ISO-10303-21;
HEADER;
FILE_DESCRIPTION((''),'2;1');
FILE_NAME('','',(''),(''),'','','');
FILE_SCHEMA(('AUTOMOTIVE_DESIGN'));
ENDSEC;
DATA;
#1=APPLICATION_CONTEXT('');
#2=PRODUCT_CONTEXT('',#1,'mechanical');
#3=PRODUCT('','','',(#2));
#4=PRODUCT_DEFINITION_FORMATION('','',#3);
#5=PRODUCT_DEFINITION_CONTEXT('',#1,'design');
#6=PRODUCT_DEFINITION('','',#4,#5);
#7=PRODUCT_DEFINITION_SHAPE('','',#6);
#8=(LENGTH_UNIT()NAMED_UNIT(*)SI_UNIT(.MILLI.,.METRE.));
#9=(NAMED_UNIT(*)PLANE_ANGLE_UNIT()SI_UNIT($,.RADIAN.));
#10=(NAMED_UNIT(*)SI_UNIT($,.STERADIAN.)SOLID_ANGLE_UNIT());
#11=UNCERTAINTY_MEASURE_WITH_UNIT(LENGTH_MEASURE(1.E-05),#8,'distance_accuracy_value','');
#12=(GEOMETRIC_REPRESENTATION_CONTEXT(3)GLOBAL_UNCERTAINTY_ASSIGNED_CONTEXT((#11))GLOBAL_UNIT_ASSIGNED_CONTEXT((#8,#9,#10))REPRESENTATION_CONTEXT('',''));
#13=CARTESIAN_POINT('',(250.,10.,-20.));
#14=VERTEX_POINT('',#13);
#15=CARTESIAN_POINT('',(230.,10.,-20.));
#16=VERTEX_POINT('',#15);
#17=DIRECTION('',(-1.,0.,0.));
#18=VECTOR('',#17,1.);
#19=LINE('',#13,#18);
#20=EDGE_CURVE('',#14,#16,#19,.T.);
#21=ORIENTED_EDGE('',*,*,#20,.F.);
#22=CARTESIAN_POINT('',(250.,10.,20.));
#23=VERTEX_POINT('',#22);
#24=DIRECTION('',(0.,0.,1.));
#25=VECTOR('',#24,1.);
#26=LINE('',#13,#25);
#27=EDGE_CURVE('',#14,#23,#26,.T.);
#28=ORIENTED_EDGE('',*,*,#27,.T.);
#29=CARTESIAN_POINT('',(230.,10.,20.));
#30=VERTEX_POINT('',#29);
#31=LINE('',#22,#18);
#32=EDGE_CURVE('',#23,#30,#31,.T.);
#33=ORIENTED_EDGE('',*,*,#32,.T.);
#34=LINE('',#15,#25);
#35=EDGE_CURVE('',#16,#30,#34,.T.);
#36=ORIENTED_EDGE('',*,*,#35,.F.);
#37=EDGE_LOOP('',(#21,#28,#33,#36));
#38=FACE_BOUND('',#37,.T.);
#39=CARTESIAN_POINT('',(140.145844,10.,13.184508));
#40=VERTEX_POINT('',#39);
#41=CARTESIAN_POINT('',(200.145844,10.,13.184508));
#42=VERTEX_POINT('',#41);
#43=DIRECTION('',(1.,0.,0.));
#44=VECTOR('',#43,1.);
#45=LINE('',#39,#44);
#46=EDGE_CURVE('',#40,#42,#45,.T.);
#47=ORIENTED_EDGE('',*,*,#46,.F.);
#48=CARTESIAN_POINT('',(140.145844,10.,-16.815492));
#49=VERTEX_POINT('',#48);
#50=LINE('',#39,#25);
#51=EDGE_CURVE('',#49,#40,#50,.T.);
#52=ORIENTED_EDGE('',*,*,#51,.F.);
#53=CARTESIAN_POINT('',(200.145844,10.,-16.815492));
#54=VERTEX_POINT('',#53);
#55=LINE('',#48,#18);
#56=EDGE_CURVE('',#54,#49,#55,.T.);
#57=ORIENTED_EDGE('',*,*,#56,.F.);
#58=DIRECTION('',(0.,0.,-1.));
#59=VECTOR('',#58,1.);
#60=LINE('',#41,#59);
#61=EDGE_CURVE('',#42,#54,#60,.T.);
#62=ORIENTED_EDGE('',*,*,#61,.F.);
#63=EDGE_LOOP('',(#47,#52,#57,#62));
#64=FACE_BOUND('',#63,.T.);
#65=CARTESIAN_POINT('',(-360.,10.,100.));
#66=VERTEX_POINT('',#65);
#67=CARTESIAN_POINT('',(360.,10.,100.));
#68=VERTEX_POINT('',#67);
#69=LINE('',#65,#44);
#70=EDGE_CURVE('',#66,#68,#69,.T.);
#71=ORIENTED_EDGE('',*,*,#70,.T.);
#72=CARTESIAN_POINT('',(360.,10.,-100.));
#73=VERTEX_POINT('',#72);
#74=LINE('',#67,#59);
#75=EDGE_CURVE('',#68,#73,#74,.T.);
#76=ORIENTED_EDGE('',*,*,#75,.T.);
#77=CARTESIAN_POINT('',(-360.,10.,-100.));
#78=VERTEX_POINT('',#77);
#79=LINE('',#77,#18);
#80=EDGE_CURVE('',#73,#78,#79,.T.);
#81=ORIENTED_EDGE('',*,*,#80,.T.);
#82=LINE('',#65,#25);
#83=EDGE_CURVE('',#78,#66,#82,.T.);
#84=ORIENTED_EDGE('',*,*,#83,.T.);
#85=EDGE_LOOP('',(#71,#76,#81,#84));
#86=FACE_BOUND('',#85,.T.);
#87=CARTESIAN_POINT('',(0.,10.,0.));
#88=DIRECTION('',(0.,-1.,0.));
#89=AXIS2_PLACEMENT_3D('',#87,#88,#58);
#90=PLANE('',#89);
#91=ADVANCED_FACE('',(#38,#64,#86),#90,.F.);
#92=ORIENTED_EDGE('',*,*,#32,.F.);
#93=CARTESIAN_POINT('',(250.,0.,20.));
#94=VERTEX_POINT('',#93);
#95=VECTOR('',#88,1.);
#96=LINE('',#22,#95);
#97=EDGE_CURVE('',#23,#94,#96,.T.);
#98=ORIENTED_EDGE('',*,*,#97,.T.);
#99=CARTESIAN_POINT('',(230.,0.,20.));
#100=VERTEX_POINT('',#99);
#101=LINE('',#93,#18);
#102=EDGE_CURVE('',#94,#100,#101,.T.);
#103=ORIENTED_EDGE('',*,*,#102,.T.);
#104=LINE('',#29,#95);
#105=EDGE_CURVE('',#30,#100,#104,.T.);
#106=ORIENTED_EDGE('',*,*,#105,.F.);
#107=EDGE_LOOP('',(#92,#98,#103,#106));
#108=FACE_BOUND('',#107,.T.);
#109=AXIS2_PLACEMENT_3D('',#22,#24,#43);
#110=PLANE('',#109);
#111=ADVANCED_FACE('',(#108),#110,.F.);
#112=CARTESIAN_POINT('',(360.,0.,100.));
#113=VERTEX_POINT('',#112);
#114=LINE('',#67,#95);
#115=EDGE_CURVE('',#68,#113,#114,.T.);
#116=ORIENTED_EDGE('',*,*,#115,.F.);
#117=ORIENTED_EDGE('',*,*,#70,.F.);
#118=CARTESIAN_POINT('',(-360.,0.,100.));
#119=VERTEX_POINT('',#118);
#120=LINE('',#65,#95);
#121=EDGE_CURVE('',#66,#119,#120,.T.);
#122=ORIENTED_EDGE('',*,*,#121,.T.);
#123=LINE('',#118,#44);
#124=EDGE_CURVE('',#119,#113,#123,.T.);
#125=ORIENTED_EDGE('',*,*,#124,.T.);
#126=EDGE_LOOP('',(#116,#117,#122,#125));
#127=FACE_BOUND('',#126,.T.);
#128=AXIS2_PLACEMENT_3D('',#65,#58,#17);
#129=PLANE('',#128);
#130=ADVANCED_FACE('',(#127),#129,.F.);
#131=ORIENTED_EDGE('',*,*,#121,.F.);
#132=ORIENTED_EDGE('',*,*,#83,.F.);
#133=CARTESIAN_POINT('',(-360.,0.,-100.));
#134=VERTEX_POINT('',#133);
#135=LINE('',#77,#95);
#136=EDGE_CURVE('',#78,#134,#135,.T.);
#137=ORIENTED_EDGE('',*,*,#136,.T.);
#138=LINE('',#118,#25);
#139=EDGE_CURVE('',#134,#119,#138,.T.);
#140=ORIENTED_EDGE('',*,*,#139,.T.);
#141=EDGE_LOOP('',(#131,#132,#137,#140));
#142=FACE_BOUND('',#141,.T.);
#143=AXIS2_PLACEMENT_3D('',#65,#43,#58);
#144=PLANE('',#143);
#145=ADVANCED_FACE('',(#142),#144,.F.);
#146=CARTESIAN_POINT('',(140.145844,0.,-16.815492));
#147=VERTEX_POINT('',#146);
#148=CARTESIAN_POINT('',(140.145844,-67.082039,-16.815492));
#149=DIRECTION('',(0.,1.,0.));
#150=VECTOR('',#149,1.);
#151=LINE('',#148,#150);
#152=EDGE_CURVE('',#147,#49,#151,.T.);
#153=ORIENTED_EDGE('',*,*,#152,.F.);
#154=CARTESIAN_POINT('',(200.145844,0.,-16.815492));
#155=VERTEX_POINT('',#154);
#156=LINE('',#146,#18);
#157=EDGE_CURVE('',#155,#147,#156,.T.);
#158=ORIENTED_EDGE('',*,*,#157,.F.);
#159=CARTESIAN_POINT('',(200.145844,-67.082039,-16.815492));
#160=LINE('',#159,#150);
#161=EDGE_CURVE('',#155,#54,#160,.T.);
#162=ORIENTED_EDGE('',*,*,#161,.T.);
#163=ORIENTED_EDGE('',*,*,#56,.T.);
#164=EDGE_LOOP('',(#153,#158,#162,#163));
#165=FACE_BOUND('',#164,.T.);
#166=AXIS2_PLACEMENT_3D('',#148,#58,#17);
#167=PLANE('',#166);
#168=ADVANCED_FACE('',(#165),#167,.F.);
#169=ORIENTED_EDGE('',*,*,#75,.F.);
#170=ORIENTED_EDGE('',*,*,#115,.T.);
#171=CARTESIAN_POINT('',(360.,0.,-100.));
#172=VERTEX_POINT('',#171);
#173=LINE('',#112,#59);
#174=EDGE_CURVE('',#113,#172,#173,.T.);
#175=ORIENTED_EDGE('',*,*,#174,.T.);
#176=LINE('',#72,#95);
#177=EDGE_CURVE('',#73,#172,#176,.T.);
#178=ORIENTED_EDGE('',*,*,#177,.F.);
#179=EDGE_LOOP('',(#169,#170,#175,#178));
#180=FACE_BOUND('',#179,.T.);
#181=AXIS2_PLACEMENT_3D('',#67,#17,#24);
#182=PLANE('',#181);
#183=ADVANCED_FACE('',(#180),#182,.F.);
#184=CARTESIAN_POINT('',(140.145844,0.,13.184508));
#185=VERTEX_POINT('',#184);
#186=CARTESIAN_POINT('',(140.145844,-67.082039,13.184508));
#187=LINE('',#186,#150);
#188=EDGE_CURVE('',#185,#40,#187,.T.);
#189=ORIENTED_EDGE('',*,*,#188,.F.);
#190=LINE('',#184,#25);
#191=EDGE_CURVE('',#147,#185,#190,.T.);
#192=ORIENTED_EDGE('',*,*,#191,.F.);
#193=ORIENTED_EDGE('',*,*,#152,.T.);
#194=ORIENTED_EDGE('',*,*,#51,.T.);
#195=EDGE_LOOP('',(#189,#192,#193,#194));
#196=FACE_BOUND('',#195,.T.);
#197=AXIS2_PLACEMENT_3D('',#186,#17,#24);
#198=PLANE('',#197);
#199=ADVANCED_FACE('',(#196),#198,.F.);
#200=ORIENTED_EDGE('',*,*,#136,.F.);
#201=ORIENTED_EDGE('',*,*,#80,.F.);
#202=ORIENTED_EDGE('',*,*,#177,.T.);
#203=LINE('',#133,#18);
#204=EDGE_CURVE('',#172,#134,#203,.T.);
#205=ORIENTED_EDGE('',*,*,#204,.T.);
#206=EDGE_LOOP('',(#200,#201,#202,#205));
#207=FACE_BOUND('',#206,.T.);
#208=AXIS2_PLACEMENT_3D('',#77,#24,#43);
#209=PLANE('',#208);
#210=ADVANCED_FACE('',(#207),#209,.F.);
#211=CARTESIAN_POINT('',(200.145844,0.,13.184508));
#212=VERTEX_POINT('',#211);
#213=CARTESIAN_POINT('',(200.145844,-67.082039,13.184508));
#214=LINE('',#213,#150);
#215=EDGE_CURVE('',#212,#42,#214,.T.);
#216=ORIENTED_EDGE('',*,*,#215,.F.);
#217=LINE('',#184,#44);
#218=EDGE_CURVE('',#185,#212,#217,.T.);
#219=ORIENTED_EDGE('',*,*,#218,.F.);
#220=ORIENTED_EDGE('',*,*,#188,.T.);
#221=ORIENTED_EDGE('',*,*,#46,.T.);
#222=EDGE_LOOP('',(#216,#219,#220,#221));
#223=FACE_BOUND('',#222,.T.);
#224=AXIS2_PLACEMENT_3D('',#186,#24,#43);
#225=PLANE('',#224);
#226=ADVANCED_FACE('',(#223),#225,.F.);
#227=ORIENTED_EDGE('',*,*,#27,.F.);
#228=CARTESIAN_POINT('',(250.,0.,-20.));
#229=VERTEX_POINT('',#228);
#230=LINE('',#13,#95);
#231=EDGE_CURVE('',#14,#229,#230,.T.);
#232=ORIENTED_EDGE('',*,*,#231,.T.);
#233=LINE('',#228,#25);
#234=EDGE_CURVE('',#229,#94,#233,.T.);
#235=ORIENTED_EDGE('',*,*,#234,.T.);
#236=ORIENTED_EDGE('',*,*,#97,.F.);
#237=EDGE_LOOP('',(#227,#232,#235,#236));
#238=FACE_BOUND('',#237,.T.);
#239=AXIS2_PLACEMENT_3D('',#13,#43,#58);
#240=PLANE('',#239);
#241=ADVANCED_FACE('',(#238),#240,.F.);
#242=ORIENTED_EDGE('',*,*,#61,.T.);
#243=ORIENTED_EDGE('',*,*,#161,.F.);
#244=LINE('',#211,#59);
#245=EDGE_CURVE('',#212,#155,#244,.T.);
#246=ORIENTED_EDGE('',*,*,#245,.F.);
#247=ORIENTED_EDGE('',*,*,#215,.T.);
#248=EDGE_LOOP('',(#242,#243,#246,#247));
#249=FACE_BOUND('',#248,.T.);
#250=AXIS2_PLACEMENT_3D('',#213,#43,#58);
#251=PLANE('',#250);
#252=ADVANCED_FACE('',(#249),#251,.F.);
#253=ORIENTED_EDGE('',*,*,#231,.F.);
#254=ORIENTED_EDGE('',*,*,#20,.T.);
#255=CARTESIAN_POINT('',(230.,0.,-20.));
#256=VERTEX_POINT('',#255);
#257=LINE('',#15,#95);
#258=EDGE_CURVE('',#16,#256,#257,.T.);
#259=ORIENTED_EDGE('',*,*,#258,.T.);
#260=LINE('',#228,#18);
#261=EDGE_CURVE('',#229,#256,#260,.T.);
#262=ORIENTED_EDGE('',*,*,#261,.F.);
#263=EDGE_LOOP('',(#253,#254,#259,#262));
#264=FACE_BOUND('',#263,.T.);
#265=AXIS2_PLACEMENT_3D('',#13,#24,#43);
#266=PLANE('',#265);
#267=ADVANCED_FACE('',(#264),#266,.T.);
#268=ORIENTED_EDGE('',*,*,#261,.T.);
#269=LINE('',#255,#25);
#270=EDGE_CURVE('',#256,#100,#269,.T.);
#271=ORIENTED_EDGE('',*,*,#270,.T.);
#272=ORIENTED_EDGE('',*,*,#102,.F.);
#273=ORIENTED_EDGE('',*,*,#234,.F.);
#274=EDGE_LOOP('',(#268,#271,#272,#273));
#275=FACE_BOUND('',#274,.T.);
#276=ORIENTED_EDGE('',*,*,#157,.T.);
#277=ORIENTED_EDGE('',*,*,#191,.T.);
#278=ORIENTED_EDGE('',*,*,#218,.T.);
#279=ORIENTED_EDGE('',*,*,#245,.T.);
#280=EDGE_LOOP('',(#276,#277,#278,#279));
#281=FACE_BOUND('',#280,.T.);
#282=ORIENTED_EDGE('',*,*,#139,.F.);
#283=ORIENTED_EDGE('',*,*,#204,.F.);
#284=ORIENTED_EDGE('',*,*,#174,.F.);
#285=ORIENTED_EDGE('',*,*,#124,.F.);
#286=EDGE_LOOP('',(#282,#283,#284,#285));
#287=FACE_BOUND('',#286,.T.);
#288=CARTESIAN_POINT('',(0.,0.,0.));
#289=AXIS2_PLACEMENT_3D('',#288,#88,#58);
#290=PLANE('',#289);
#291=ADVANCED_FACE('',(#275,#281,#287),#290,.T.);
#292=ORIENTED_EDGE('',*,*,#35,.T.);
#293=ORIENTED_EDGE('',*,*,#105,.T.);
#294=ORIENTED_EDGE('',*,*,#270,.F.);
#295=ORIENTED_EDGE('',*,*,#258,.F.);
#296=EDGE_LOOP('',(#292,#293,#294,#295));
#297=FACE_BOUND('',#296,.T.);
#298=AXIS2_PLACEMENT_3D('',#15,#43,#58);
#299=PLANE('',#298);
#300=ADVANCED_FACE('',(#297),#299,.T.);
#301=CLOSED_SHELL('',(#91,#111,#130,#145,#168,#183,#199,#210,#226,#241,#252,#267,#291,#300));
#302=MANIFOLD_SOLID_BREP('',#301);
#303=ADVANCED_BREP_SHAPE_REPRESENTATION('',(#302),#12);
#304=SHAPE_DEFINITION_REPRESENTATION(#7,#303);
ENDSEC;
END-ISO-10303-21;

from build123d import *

# Parameters (mm, degrees)
CROQUIS1_W              = 720
CROQUIS1_H              = 200
SALIENTE_EXTRUIR1_DEPTH = 10
CROQUIS2_W              = 20
CROQUIS2_H              = 40
CORTAR_EXTRUIR1_DEPTH   = 10
CROQUIS3_W              = 60
CROQUIS3_H              = 30
CORTAR_EXTRUIR2_DEPTH   = 10


with BuildPart() as part:
    # Croquis1 → Saliente-Extruir1 (new body)
    with BuildSketch(Plane(origin=(0, 0, 0), x_dir=(1, 0, 0), z_dir=(0, 1, 0))):
        Rectangle(CROQUIS1_W, CROQUIS1_H)
    extrude(amount=SALIENTE_EXTRUIR1_DEPTH)

    # Croquis2 → Cortar-Extruir1 (cut)
    with BuildSketch(Plane(origin=(0, 0, 0), x_dir=(-1, 0, 0), z_dir=(0, -1, 0))):
        with Locations((-240, 0)):
            Rectangle(CROQUIS2_W, CROQUIS2_H)
    extrude(amount=-CORTAR_EXTRUIR1_DEPTH, mode=Mode.SUBTRACT)

    # Croquis3 → Cortar-Extruir2 (cut)
    with BuildSketch(Plane(origin=(0, 10, 0), x_dir=(1, 0, 0), z_dir=(0, 1, 0))):
        with Locations((170.145843921, 1.815492006)):
            Rectangle(CROQUIS3_W, CROQUIS3_H)
    extrude(amount=-CORTAR_EXTRUIR2_DEPTH, mode=Mode.SUBTRACT)


solid = part.part
